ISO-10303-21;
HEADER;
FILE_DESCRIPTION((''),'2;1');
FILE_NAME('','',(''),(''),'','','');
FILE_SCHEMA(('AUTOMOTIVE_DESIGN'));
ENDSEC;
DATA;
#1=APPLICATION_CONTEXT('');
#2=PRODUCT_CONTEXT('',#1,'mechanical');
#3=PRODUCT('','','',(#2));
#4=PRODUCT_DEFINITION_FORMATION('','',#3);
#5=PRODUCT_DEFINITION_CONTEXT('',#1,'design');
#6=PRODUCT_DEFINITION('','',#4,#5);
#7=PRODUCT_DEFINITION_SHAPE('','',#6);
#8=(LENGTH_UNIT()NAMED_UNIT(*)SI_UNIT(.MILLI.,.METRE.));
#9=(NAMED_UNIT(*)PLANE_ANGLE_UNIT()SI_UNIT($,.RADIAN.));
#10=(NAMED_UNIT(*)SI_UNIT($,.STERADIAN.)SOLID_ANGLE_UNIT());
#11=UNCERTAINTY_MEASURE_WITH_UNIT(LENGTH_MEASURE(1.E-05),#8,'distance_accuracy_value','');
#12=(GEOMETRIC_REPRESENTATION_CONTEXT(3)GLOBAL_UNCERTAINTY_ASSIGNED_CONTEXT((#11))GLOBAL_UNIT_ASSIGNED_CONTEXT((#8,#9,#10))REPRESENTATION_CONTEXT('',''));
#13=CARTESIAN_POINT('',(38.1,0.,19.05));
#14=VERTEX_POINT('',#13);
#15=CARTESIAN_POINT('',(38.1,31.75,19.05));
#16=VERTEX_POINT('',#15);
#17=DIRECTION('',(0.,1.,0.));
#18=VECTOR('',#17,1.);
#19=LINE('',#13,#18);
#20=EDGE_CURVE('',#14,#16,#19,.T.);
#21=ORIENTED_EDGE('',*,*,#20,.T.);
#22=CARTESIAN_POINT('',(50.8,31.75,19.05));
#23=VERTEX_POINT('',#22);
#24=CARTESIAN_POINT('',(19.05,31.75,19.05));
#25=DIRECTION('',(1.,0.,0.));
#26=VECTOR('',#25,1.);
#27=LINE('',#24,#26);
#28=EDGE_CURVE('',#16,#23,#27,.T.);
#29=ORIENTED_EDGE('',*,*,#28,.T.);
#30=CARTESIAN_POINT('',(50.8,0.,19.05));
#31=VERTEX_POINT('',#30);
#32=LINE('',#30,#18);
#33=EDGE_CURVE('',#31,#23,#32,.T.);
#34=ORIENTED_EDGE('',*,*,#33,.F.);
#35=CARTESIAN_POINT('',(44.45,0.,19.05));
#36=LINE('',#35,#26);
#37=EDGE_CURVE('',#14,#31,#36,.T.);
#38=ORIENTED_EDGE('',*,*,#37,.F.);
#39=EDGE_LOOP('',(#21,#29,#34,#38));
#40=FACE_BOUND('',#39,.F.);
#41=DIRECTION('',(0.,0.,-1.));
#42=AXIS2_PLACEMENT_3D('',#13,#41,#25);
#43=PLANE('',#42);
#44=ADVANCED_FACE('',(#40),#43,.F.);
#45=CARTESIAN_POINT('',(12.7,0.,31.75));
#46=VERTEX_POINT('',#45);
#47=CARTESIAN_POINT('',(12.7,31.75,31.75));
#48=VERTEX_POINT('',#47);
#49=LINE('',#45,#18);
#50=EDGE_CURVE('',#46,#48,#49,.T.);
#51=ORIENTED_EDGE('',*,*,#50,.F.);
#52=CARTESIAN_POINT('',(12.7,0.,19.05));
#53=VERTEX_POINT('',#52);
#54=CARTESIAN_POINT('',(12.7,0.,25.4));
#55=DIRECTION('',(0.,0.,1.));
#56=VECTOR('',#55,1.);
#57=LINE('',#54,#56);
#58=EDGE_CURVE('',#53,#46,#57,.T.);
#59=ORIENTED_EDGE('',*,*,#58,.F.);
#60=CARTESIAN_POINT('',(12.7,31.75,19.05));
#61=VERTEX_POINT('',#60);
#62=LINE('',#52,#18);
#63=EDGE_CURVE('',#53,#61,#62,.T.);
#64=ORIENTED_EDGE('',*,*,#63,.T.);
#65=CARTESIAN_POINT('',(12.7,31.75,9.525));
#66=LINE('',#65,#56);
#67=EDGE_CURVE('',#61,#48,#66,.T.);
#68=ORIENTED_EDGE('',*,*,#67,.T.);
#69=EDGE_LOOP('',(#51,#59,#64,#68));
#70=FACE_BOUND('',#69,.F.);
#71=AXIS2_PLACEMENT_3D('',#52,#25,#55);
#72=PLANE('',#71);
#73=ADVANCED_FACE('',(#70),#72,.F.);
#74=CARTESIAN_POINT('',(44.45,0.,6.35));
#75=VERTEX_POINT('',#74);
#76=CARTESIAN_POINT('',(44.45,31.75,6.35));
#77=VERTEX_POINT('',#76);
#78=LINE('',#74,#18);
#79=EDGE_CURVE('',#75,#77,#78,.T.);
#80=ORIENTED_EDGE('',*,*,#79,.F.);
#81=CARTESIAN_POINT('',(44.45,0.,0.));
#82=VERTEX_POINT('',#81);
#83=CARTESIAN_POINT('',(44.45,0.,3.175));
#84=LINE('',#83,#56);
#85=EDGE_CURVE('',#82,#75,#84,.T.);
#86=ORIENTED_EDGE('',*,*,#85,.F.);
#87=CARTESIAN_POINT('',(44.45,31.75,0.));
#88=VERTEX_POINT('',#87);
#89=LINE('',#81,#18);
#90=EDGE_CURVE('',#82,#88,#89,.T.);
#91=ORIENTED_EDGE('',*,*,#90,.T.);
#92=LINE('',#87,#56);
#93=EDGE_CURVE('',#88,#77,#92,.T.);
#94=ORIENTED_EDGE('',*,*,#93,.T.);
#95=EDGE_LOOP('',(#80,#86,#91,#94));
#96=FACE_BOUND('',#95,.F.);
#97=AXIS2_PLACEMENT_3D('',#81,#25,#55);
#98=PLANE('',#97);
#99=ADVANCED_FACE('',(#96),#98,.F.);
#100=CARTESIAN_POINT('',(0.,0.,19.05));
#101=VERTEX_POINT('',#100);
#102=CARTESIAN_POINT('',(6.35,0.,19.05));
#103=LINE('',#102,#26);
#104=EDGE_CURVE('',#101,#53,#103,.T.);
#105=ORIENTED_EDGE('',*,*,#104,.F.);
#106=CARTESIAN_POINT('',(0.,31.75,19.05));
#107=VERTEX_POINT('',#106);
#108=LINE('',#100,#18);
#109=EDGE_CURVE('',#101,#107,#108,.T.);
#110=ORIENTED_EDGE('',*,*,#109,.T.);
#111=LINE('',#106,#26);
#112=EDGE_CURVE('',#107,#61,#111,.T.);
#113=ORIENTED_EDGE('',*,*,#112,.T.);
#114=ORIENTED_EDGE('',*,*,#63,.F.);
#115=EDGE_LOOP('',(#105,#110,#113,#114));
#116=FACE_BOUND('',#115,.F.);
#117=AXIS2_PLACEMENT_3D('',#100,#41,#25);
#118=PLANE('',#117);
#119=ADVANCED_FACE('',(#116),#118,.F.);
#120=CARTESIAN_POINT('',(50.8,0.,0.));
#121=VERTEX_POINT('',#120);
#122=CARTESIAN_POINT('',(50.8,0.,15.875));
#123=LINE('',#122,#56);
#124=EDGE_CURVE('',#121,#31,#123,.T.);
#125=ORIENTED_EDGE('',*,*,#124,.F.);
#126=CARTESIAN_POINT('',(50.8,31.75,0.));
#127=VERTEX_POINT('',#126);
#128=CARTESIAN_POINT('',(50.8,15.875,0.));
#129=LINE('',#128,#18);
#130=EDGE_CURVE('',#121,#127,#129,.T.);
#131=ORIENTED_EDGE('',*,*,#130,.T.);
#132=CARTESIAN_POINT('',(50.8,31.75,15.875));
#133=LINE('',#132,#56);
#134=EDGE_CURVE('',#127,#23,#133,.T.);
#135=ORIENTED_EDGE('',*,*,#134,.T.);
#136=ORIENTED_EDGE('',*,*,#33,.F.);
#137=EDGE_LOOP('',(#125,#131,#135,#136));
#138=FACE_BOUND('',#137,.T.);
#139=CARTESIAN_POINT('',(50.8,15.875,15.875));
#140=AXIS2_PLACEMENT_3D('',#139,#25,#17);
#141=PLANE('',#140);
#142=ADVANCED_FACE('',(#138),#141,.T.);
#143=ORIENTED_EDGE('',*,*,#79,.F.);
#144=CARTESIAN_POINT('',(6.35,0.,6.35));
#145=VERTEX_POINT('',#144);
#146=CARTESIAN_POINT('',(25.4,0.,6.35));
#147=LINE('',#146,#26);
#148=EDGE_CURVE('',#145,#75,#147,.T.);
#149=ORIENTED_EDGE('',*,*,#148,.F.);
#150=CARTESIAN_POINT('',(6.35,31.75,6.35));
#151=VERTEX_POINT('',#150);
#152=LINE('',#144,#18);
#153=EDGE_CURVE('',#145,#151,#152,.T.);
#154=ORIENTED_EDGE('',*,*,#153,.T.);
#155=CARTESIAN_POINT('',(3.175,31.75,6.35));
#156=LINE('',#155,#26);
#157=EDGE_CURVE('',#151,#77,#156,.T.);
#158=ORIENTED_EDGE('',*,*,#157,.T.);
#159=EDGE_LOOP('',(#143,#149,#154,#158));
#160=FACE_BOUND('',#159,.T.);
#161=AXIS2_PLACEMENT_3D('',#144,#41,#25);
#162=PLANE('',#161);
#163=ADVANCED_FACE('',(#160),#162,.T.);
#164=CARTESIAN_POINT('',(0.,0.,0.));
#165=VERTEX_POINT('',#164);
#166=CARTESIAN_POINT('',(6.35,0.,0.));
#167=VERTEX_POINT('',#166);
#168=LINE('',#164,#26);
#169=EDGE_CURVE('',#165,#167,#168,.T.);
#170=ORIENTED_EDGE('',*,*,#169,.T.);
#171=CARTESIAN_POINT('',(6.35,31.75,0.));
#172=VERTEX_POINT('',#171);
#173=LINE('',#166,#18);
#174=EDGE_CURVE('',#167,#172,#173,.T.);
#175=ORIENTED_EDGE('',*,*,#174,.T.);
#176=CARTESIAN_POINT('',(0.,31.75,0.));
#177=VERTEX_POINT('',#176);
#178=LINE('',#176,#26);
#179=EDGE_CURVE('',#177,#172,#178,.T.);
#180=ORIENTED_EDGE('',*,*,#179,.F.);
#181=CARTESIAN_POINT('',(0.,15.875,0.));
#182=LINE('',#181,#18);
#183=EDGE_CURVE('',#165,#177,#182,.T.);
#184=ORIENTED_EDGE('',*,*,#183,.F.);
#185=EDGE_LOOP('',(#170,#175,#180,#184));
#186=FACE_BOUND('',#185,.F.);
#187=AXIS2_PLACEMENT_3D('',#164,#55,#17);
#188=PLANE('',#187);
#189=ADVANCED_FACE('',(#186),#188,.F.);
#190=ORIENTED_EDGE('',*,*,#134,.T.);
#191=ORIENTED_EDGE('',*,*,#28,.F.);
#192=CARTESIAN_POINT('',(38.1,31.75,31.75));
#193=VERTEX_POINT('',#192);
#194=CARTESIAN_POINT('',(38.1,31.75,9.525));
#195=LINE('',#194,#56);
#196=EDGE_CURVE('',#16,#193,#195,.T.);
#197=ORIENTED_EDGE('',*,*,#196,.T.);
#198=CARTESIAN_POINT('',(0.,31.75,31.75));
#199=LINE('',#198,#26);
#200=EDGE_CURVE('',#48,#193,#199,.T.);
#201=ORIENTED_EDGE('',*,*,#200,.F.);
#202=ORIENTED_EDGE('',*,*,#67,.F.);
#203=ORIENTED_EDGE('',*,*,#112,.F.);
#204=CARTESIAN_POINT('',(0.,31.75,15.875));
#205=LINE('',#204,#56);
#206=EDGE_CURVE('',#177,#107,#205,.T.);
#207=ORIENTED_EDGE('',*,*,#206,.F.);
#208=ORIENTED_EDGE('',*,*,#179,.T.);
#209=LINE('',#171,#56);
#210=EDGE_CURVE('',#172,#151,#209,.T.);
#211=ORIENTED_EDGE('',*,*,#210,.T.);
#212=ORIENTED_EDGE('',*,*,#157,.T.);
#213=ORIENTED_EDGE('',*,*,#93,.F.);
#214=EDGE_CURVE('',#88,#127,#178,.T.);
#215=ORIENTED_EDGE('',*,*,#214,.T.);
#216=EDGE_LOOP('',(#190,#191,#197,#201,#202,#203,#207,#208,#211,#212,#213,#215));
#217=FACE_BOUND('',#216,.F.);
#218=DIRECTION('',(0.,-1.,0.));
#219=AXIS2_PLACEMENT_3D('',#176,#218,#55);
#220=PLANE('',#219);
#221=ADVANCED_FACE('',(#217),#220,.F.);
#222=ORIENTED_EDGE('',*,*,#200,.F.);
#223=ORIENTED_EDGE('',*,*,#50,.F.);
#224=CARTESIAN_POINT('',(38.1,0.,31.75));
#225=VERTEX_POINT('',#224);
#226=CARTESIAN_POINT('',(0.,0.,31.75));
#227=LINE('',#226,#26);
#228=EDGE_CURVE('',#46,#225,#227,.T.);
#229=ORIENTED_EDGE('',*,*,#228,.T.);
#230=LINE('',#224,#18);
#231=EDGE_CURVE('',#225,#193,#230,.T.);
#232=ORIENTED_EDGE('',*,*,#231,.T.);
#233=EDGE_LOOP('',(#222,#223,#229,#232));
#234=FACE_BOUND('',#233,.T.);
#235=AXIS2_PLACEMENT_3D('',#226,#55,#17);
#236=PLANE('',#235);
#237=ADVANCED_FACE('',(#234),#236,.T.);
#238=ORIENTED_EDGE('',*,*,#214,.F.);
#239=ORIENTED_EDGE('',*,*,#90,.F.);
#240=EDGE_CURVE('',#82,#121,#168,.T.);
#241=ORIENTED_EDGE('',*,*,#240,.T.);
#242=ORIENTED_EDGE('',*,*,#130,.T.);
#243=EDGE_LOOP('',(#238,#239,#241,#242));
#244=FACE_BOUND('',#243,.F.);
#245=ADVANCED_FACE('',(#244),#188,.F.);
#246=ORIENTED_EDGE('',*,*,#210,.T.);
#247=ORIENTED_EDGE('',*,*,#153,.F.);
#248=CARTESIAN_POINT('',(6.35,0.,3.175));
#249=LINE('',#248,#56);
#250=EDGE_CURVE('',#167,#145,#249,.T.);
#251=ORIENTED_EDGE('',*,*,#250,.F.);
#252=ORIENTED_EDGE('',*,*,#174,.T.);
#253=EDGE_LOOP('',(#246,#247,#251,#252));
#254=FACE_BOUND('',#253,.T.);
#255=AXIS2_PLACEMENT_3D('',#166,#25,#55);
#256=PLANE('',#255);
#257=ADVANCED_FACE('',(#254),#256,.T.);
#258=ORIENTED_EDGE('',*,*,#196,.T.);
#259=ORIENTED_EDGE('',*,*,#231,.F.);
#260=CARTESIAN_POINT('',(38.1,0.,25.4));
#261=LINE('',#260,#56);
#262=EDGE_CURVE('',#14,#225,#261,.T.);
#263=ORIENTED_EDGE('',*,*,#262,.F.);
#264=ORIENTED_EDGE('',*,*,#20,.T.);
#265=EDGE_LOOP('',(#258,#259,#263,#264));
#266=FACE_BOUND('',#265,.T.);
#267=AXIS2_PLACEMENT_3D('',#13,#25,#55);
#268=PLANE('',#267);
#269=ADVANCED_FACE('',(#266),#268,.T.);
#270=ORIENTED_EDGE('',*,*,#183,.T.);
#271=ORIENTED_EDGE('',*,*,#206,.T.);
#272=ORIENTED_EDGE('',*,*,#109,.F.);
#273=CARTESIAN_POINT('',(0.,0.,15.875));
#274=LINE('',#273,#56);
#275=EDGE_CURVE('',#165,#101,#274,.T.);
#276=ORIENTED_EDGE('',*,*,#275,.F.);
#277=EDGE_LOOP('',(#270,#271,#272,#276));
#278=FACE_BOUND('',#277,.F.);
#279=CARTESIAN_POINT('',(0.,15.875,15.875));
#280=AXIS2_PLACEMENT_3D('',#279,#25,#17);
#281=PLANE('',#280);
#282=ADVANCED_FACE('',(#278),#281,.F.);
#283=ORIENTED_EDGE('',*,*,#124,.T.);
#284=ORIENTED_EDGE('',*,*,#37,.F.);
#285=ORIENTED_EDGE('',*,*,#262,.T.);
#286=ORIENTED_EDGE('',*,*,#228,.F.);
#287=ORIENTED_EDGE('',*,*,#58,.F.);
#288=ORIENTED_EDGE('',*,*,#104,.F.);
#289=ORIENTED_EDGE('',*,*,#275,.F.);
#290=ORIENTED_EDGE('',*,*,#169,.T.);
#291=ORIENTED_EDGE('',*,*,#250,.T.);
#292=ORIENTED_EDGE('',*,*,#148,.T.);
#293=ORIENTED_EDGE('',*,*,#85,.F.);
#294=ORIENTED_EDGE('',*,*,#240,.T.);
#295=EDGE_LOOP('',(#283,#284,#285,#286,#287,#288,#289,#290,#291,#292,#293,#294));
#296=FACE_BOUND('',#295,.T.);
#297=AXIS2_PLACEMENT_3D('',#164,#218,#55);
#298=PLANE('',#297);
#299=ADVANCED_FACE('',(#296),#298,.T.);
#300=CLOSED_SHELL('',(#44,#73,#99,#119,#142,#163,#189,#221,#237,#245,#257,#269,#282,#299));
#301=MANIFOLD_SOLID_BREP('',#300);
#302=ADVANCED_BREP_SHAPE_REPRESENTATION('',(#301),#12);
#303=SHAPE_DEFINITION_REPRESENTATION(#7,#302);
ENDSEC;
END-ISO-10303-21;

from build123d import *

# Parameters (mm, degrees)
F0_W     = 31.75
F0_H     = 31.75
F1_DEPTH = 50.8
F2_W     = 12.7
F2_H     = 12.7
F2_W_2   = 38.1
F2_H_2   = 6.35
F3_DEPTH = 31.751


with BuildPart() as f1:
    # F0 (on Right) → F1 (new body)
    with BuildSketch(Plane.YZ):
        with Locations((15.875, 15.875)):
            Rectangle(F0_W, F0_H)
    extrude(amount=F1_DEPTH)

    # F2 (on face) → F3 (cut, through all)
    with BuildSketch(Plane.XZ):
        with Locations((6.35, 25.4)):
            Rectangle(F2_W, F2_H)
        with Locations((44.45, 25.4)):
            Rectangle(F2_W, F2_H)
        with Locations((25.4, 3.175)):
            Rectangle(F2_W_2, F2_H_2)
    extrude(amount=-F3_DEPTH, mode=Mode.SUBTRACT)


solid = f1.part
